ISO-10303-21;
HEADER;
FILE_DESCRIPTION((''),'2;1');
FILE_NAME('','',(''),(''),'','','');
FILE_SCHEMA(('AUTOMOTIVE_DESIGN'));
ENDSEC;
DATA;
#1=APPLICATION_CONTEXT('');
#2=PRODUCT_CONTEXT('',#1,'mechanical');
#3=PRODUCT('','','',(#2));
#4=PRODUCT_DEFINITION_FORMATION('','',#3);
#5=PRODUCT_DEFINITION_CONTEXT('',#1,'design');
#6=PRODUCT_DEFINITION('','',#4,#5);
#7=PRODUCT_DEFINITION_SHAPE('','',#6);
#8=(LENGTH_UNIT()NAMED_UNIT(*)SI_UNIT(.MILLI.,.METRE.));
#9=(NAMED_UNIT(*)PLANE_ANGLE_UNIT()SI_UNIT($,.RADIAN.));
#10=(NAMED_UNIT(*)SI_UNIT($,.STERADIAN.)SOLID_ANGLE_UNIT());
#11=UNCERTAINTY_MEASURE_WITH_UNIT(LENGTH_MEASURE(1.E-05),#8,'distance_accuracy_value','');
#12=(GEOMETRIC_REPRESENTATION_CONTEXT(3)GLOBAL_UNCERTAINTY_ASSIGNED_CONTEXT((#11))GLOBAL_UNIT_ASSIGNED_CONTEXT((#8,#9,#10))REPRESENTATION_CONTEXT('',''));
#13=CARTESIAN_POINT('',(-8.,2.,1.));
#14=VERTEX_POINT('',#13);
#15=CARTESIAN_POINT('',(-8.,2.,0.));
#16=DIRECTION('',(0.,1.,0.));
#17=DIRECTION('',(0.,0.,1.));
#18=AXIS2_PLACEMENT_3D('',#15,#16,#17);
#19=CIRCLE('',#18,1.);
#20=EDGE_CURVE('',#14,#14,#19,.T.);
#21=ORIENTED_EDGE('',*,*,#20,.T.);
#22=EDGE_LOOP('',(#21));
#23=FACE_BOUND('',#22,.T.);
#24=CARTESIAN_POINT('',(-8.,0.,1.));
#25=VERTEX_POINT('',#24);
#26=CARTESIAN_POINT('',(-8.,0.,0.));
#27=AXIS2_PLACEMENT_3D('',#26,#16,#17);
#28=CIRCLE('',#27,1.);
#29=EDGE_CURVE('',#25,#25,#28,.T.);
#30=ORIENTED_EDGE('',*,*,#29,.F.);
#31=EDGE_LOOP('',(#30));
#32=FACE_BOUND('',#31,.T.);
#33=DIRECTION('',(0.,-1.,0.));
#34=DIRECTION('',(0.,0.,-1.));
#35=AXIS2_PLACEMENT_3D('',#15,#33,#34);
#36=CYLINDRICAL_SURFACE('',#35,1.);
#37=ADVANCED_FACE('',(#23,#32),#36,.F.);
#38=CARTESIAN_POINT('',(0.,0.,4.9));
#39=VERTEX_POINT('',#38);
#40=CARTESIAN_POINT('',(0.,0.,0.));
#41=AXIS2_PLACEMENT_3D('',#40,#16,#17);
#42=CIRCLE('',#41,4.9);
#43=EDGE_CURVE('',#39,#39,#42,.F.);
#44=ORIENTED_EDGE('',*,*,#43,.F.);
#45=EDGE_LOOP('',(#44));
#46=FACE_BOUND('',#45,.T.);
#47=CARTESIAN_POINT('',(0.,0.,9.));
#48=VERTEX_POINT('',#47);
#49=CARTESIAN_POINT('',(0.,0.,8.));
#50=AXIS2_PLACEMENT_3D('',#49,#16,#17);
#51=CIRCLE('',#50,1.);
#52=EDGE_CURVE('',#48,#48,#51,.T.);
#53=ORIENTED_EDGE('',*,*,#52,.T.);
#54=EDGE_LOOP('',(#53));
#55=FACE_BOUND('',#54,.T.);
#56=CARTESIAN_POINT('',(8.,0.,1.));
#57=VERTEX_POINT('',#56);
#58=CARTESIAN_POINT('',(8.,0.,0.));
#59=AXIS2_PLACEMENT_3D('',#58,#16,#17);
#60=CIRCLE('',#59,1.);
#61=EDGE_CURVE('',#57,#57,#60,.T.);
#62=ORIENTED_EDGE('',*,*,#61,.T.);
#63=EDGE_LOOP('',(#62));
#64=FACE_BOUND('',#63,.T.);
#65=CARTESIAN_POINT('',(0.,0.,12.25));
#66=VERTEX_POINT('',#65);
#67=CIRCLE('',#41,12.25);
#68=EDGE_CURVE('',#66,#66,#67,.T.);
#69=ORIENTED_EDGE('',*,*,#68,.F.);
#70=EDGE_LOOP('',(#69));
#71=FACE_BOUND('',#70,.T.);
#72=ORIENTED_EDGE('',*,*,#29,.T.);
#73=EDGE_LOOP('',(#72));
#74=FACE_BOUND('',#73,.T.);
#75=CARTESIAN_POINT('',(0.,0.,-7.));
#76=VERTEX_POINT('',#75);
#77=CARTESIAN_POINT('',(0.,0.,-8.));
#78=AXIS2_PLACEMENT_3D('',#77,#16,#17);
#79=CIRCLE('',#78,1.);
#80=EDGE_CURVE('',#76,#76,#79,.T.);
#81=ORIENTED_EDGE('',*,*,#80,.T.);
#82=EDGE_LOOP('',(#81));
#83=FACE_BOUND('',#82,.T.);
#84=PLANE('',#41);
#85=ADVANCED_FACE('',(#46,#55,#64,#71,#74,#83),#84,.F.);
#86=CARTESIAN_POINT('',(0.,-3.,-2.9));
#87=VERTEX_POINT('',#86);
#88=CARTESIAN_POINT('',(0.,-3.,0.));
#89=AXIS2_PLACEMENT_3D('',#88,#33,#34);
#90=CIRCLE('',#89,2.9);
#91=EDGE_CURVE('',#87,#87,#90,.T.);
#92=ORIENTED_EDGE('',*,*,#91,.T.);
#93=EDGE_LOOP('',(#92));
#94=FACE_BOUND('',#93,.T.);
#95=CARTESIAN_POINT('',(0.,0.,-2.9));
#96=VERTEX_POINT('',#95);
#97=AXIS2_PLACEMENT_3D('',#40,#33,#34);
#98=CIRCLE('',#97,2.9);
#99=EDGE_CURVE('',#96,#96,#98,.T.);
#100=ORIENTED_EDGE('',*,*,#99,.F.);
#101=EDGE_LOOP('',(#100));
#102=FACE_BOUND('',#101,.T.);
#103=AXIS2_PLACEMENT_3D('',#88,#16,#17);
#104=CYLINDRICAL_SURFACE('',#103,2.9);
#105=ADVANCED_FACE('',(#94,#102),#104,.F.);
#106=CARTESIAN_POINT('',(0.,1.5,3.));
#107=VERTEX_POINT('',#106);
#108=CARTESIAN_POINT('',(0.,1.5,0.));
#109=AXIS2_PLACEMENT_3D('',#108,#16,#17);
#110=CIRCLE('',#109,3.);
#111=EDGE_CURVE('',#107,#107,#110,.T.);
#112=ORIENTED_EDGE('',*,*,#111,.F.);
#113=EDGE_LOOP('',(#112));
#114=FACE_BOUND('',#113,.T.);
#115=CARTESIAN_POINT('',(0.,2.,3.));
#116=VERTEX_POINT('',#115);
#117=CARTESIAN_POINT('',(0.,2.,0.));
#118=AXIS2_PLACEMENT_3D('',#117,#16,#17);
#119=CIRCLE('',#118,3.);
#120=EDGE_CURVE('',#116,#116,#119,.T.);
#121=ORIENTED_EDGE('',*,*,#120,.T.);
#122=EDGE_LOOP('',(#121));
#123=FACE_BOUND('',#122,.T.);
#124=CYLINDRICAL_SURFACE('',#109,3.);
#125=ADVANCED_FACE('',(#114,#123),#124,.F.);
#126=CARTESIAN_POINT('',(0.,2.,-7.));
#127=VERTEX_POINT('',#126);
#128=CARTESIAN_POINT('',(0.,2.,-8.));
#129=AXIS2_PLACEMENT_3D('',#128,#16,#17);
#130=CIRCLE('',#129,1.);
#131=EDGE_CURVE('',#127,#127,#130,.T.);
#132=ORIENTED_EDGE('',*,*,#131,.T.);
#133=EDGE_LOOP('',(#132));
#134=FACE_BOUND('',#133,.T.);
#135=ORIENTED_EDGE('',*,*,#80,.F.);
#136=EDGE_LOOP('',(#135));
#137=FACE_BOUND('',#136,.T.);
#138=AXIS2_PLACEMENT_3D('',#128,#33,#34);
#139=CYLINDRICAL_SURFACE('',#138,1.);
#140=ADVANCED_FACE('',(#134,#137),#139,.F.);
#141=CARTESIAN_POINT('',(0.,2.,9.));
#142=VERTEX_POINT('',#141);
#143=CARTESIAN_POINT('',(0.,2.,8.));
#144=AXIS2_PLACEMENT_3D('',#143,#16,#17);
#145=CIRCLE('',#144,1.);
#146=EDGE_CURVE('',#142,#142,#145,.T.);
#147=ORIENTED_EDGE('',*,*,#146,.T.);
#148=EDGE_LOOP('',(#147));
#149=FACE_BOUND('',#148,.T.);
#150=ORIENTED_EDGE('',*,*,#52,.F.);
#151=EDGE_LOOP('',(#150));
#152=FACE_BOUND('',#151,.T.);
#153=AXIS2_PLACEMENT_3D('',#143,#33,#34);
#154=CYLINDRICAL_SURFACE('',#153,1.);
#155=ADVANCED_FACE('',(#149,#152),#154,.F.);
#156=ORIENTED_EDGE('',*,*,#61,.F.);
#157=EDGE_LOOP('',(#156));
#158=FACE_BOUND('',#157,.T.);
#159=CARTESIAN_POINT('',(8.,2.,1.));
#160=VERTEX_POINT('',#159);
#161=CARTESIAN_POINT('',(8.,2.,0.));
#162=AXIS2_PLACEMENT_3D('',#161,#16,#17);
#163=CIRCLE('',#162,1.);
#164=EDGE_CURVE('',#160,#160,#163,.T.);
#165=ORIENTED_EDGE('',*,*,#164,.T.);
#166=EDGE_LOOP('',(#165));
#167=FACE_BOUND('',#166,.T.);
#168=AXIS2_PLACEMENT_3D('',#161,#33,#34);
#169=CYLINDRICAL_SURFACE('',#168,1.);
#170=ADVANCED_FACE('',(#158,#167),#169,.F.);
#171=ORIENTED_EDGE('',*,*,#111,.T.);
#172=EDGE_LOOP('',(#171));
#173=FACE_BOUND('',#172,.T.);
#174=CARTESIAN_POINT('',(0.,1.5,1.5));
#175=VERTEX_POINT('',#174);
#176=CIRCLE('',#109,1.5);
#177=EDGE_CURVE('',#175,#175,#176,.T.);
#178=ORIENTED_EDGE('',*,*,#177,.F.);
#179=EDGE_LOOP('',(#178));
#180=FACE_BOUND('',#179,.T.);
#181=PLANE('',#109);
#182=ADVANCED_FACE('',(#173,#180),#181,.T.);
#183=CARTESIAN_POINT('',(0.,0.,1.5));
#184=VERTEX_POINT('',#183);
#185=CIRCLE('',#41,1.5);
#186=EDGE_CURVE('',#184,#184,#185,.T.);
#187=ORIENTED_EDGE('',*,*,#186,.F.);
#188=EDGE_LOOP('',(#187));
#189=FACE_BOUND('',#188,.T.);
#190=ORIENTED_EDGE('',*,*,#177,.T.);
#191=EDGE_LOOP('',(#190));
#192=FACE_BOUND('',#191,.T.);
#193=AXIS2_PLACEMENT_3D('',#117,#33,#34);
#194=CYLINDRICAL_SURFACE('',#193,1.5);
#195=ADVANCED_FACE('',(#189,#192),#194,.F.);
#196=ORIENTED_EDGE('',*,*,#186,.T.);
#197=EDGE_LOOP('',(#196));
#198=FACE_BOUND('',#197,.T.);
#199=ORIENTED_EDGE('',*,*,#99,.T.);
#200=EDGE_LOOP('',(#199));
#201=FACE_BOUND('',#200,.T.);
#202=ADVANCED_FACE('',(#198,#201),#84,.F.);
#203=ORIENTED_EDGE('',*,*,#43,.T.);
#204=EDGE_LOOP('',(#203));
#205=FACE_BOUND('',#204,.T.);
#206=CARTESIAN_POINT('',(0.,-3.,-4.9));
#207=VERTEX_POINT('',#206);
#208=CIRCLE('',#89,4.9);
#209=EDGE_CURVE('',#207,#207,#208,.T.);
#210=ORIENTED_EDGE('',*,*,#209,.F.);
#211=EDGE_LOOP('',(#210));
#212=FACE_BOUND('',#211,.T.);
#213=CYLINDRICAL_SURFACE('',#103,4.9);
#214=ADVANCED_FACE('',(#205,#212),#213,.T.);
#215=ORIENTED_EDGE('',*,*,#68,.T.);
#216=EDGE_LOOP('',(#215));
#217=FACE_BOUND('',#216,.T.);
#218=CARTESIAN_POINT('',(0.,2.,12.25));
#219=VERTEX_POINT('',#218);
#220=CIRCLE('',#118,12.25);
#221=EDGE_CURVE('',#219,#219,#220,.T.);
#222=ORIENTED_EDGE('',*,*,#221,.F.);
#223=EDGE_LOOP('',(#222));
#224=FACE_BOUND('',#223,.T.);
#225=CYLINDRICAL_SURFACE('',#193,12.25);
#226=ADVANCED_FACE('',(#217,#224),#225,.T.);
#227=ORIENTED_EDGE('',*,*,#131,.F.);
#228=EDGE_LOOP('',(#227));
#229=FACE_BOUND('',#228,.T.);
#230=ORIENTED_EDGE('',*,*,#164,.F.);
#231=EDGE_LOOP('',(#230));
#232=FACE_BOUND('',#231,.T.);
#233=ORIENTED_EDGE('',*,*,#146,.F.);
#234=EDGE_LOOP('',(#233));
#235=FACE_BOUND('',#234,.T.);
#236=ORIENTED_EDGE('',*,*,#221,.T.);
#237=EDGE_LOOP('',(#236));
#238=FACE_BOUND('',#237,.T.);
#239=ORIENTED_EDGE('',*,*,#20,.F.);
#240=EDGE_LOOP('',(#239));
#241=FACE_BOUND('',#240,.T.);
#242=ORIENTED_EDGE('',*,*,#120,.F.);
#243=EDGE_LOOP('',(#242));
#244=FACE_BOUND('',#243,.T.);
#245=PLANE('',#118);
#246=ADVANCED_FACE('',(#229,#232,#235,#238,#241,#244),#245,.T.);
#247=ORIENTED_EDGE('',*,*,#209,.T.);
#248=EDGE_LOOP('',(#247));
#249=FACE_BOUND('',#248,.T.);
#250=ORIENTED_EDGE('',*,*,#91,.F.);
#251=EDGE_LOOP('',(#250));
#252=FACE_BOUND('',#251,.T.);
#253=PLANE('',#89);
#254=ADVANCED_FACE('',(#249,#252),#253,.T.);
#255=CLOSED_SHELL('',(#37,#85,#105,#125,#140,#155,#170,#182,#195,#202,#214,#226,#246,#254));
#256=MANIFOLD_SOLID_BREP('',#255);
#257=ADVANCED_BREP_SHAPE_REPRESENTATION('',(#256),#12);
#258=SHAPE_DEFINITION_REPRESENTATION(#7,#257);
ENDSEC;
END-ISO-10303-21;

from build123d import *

# Parameters (mm, degrees)
SKETCH_1_R          = 12.25
SKETCH_1_R_2        = 3
SKETCH_1_R_3        = 1
SKETCH_1_R_4        = 2.9
SKETCH_1_R_5        = 1.5
EXTRUDE_1_DEPTH     = 2
SKETCH_2_R          = 4.9
SKETCH_2_R_2        = 2.9
EXTRUDE_2_DEPTH     = 3
CUT_EXTRUDE_START   = 2
SKETCH_1_4_R        = 3
CUT_EXTRUDE_1_DEPTH = 0.5


with BuildPart() as part:
    # 草图1 → 凸台-拉伸1 (new body)
    # profile 1 of 3: a face of its own
    with BuildSketch(Plane(origin=(0, 0, 0), x_dir=(1, 0, 0), z_dir=(0, 1, 0))):
        with Locations(Location((0, 0, 0), (0, 0, 270))):
            Circle(SKETCH_1_R)
        Circle(SKETCH_1_R_2, mode=Mode.SUBTRACT)
        with Locations(Location((-8, 0, 0), (0, 0, 270))):
            Circle(SKETCH_1_R_3, mode=Mode.SUBTRACT)
        with Locations(Location((0, -8, 0), (0, 0, 270))):
            Circle(SKETCH_1_R_3, mode=Mode.SUBTRACT)
        with Locations(Location((8, 0, 0), (0, 0, 270))):
            Circle(SKETCH_1_R_3, mode=Mode.SUBTRACT)
        with Locations(Location((0, 8, 0), (0, 0, 270))):
            Circle(SKETCH_1_R_3, mode=Mode.SUBTRACT)
    # profile 2 of 3: a face of its own
    with BuildSketch(Plane(origin=(0, 0, 0), x_dir=(1, 0, 0), z_dir=(0, 1, 0))):
        Circle(SKETCH_1_R_2)
        Circle(SKETCH_1_R_4, mode=Mode.SUBTRACT)
    # profile 3 of 3: a face of its own
    with BuildSketch(Plane(origin=(0, 0, 0), x_dir=(1, 0, 0), z_dir=(0, 1, 0))):
        Circle(SKETCH_1_R_4)
        with Locations(Location((0, 0, 0), (0, 0, 270))):
            Circle(SKETCH_1_R_5, mode=Mode.SUBTRACT)
    extrude(amount=EXTRUDE_1_DEPTH)

    # 草图2 → 凸台-拉伸2 (add)
    with BuildSketch(Plane.XZ):
        with Locations(Location((0, 0, 0), (0, 0, 90))):
            Circle(SKETCH_2_R)
        with Locations(Location((0, 0, 0), (0, 0, 270))):
            Circle(SKETCH_2_R_2, mode=Mode.SUBTRACT)
    extrude(amount=EXTRUDE_2_DEPTH)

    # 草图1<4> → 切除-拉伸1 (cut)
    with BuildSketch(Plane(origin=(0, 0, 0), x_dir=(1, 0, 0), z_dir=(0, 1, 0)).offset(CUT_EXTRUDE_START)):
        with Locations(Location((0, 0, 0), (0, 0, 270))):
            Circle(SKETCH_1_4_R)
    extrude(amount=-CUT_EXTRUDE_1_DEPTH, mode=Mode.SUBTRACT)


solid = part.part
